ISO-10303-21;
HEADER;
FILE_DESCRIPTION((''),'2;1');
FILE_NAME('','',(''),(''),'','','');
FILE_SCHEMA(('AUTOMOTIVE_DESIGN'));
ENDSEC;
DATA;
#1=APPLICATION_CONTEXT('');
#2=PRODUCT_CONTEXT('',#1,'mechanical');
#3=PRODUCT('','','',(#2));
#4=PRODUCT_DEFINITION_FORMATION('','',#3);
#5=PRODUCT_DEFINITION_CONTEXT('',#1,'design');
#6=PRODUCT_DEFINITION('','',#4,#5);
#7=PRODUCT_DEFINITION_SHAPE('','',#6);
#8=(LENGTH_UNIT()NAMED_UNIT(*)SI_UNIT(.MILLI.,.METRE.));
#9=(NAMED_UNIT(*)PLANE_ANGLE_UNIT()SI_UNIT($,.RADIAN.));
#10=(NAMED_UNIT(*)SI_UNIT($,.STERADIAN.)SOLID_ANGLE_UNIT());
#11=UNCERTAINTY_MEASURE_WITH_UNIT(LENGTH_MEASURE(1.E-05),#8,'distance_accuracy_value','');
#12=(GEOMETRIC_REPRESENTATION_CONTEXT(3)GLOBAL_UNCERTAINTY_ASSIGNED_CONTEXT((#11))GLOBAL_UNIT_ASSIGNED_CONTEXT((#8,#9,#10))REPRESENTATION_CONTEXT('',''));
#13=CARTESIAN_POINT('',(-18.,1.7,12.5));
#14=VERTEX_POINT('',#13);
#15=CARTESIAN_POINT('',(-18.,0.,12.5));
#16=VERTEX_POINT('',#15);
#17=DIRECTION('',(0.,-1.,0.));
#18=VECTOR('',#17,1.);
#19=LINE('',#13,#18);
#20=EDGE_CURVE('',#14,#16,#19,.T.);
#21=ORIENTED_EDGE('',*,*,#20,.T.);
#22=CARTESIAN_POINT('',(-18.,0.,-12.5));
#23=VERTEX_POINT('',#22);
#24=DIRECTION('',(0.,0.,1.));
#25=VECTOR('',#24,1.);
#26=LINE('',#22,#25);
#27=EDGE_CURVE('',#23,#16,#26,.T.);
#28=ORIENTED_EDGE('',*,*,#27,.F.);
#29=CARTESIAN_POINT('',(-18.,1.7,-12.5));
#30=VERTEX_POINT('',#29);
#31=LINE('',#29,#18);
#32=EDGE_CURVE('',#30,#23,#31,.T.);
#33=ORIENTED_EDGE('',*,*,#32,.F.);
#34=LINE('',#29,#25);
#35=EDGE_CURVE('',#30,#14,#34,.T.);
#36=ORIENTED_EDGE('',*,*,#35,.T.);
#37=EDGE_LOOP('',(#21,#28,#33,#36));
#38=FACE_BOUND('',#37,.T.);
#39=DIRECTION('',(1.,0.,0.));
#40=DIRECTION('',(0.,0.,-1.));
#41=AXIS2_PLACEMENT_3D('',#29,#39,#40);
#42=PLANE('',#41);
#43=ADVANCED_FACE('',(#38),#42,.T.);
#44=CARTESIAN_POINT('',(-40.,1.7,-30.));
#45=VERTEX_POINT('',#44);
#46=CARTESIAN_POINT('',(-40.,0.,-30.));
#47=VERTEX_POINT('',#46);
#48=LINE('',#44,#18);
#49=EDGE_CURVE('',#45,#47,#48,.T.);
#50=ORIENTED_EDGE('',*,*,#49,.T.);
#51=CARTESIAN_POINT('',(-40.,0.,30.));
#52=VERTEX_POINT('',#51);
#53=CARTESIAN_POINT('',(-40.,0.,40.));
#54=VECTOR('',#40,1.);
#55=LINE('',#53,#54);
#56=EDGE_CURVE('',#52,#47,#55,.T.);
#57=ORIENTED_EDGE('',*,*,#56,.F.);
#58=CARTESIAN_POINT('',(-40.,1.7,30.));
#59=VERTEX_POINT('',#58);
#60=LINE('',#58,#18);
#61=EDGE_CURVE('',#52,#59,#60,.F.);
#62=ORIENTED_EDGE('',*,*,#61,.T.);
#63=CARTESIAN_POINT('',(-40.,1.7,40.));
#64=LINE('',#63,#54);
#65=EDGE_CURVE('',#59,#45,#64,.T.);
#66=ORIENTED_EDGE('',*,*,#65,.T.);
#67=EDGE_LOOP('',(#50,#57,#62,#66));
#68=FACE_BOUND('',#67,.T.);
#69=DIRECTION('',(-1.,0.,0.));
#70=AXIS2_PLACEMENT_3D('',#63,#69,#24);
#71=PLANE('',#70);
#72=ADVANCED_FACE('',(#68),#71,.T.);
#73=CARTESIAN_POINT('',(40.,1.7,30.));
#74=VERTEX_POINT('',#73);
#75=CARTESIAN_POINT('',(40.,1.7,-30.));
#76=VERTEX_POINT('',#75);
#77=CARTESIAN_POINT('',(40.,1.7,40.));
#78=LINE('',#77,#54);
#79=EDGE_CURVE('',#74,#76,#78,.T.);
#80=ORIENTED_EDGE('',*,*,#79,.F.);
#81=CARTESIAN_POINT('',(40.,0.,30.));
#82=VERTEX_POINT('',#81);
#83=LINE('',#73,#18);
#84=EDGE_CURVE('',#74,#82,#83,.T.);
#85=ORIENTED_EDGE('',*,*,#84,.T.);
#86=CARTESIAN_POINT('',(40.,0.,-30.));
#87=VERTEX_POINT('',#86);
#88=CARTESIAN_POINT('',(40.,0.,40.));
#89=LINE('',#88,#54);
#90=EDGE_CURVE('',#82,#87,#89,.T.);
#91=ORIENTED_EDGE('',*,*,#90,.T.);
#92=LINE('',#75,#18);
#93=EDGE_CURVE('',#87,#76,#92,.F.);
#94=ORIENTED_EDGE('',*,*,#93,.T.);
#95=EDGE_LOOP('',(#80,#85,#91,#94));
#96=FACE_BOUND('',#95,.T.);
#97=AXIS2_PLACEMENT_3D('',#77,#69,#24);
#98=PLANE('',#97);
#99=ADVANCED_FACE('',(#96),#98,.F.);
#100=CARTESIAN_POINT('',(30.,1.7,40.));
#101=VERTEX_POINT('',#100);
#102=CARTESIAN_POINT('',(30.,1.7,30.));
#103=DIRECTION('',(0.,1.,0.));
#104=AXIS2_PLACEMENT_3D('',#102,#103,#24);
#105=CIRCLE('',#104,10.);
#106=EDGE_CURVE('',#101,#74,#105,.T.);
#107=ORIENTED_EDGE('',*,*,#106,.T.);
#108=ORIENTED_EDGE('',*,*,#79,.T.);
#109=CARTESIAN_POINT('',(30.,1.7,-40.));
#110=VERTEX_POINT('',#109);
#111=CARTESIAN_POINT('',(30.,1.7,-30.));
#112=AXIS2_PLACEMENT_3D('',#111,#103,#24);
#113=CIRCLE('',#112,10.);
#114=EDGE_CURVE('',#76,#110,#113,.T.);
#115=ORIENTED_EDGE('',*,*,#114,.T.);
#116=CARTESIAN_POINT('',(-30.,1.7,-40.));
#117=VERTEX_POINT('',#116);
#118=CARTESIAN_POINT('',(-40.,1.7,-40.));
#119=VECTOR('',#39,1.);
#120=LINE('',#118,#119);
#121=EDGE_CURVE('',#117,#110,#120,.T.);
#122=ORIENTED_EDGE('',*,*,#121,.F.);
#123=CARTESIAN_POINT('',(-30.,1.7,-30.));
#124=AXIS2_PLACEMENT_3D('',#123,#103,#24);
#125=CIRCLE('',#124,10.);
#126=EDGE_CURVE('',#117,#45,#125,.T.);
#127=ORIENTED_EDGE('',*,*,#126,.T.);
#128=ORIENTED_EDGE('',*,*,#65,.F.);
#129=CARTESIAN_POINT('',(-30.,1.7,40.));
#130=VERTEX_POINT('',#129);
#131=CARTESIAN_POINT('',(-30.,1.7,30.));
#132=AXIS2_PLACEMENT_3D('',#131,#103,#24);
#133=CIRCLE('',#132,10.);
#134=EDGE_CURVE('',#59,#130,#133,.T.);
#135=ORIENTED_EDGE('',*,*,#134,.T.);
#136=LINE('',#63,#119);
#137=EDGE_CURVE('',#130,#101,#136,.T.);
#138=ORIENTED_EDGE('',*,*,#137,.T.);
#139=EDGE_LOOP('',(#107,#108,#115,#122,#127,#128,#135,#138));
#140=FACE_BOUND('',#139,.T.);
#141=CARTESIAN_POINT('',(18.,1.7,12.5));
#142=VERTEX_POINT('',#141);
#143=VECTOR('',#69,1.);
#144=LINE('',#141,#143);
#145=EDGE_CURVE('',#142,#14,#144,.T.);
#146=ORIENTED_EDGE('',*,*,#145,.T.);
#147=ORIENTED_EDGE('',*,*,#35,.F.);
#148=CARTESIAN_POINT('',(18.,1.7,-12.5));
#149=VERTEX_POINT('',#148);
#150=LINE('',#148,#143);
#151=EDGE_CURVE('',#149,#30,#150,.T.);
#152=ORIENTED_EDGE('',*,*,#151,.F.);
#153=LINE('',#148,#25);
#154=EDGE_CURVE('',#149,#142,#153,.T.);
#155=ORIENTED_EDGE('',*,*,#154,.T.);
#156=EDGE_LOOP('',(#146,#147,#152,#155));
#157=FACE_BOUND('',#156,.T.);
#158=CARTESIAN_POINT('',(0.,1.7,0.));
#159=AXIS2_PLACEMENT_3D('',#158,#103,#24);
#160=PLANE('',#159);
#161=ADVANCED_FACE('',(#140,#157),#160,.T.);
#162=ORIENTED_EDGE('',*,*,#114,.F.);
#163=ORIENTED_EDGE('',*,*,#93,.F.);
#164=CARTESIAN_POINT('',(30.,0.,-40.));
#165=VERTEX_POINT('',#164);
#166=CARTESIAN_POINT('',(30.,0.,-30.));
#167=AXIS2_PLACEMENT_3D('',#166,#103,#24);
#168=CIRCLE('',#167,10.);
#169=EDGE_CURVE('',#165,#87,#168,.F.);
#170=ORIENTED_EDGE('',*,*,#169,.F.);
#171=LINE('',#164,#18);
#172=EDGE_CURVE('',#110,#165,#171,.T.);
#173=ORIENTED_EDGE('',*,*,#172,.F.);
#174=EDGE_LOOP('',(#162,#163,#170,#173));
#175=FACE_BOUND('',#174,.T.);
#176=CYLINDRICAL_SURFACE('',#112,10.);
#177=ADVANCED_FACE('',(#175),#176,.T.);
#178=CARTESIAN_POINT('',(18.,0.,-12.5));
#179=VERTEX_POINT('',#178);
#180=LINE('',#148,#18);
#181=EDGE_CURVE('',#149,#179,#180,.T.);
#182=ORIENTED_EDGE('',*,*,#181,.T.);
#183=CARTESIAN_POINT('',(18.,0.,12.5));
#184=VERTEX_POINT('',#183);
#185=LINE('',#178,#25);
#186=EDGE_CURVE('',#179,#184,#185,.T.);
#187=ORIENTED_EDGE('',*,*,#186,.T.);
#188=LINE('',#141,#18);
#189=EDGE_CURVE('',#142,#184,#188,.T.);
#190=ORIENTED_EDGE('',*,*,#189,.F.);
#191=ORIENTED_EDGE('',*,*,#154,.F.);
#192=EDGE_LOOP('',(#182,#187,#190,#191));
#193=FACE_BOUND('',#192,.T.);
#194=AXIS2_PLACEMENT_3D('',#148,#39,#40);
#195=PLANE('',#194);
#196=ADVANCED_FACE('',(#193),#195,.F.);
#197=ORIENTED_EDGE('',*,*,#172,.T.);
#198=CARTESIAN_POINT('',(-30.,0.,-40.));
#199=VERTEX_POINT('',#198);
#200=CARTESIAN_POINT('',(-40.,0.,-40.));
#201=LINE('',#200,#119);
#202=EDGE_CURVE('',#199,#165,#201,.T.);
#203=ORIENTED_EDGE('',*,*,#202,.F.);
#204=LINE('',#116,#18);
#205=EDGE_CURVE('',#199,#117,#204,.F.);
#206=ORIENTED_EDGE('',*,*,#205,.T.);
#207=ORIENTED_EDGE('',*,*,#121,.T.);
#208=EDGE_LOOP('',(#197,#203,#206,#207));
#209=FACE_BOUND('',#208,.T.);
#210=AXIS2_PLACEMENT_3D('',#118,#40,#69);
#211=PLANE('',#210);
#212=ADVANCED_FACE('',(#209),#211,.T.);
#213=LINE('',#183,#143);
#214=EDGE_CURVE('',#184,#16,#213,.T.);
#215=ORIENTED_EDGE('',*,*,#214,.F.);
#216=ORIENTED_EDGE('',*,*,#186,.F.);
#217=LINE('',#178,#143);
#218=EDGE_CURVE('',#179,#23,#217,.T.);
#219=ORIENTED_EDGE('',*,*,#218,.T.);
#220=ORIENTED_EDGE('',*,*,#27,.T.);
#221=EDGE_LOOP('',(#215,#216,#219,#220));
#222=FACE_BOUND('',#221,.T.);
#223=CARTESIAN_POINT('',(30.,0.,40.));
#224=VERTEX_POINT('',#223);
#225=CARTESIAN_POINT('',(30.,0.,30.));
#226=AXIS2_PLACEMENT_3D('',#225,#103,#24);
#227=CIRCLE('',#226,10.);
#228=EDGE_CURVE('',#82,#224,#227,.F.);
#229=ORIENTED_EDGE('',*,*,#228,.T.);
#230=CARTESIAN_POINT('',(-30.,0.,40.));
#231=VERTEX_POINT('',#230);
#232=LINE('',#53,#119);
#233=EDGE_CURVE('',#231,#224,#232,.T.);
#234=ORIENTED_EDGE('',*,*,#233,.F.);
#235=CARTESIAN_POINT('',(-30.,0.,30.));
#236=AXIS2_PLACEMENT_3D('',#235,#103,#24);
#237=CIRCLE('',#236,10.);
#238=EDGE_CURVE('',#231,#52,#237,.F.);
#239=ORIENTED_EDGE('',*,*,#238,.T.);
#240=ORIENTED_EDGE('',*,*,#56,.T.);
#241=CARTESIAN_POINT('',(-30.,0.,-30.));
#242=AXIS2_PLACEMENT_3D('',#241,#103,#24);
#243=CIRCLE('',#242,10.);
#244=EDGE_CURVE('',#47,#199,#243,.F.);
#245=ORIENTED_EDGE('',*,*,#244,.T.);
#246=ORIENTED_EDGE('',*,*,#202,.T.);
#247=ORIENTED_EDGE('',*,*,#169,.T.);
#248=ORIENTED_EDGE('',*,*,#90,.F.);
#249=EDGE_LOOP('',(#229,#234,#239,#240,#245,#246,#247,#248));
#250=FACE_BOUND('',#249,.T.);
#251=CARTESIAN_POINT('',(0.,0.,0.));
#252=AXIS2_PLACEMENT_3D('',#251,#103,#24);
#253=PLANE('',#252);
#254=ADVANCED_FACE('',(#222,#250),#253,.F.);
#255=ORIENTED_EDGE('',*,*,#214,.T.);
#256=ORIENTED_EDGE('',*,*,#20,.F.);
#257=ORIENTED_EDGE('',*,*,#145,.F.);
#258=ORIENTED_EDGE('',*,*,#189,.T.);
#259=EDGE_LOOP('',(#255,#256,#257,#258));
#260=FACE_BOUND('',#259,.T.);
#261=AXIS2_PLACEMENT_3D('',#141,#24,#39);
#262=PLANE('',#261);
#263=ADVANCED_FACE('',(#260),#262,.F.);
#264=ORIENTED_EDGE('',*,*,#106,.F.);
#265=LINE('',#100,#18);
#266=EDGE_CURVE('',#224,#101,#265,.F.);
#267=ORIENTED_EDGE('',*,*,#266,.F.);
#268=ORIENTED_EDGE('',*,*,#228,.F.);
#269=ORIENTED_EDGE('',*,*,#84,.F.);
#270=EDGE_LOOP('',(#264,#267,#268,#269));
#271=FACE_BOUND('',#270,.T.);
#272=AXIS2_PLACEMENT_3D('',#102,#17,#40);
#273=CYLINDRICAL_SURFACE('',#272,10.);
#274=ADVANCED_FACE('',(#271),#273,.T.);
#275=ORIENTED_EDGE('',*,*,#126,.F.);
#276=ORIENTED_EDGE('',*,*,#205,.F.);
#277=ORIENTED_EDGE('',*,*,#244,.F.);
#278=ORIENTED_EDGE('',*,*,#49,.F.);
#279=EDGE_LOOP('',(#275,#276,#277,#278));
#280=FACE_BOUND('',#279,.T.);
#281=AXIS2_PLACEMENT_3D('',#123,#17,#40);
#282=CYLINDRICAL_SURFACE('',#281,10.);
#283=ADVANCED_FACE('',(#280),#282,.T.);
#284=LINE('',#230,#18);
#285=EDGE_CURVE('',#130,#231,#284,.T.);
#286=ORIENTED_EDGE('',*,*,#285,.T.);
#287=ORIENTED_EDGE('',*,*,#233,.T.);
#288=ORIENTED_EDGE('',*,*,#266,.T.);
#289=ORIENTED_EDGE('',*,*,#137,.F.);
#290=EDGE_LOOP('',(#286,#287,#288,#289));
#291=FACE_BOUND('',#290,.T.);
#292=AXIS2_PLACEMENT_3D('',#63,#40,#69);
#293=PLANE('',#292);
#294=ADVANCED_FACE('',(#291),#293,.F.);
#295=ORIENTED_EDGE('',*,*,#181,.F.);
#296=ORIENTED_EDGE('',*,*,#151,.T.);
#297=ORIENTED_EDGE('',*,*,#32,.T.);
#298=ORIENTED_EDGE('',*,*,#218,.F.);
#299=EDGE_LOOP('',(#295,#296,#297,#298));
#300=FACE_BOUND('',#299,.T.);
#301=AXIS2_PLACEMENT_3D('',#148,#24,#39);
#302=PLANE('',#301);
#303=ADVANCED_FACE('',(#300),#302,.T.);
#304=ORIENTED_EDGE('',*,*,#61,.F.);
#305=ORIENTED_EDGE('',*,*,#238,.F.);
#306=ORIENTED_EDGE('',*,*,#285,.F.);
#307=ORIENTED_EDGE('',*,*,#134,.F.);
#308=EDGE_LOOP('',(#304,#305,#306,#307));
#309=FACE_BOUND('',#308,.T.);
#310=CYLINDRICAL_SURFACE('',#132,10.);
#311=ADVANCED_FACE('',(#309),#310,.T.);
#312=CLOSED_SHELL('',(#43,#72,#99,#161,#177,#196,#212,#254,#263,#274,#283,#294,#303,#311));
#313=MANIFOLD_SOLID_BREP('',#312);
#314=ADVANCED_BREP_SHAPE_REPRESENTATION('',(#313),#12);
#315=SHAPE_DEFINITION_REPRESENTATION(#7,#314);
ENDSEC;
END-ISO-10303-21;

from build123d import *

# Parameters (mm, degrees)
ESQUISSE1_W        = 80
ESQUISSE1_H        = 80
ESQUISSE1_W_2      = 36
ESQUISSE1_H_2      = 25
BOSS_EXTRU_1_DEPTH = 1.7
CONG_1_R           = 10


with BuildPart() as part:
    # Esquisse1 → Boss.-Extru.1 (new body)
    with BuildSketch(Plane(origin=(0, 0, 0), x_dir=(1, 0, 0), z_dir=(0, 1, 0))):
        Rectangle(ESQUISSE1_W, ESQUISSE1_H)
        Rectangle(ESQUISSE1_W_2, ESQUISSE1_H_2, mode=Mode.SUBTRACT)
    extrude(amount=BOSS_EXTRU_1_DEPTH)

    # Congé1
    cong_1_edges = [part.edges().sort_by_distance(p)[0] for p in [
        (-40, 0.85, -40),
        (-40, 0.85, 40),
        (40, 0.85, 40),
        (40, 0.85, -40),
    ]]
    fillet(cong_1_edges, radius=CONG_1_R)


solid = part.part
